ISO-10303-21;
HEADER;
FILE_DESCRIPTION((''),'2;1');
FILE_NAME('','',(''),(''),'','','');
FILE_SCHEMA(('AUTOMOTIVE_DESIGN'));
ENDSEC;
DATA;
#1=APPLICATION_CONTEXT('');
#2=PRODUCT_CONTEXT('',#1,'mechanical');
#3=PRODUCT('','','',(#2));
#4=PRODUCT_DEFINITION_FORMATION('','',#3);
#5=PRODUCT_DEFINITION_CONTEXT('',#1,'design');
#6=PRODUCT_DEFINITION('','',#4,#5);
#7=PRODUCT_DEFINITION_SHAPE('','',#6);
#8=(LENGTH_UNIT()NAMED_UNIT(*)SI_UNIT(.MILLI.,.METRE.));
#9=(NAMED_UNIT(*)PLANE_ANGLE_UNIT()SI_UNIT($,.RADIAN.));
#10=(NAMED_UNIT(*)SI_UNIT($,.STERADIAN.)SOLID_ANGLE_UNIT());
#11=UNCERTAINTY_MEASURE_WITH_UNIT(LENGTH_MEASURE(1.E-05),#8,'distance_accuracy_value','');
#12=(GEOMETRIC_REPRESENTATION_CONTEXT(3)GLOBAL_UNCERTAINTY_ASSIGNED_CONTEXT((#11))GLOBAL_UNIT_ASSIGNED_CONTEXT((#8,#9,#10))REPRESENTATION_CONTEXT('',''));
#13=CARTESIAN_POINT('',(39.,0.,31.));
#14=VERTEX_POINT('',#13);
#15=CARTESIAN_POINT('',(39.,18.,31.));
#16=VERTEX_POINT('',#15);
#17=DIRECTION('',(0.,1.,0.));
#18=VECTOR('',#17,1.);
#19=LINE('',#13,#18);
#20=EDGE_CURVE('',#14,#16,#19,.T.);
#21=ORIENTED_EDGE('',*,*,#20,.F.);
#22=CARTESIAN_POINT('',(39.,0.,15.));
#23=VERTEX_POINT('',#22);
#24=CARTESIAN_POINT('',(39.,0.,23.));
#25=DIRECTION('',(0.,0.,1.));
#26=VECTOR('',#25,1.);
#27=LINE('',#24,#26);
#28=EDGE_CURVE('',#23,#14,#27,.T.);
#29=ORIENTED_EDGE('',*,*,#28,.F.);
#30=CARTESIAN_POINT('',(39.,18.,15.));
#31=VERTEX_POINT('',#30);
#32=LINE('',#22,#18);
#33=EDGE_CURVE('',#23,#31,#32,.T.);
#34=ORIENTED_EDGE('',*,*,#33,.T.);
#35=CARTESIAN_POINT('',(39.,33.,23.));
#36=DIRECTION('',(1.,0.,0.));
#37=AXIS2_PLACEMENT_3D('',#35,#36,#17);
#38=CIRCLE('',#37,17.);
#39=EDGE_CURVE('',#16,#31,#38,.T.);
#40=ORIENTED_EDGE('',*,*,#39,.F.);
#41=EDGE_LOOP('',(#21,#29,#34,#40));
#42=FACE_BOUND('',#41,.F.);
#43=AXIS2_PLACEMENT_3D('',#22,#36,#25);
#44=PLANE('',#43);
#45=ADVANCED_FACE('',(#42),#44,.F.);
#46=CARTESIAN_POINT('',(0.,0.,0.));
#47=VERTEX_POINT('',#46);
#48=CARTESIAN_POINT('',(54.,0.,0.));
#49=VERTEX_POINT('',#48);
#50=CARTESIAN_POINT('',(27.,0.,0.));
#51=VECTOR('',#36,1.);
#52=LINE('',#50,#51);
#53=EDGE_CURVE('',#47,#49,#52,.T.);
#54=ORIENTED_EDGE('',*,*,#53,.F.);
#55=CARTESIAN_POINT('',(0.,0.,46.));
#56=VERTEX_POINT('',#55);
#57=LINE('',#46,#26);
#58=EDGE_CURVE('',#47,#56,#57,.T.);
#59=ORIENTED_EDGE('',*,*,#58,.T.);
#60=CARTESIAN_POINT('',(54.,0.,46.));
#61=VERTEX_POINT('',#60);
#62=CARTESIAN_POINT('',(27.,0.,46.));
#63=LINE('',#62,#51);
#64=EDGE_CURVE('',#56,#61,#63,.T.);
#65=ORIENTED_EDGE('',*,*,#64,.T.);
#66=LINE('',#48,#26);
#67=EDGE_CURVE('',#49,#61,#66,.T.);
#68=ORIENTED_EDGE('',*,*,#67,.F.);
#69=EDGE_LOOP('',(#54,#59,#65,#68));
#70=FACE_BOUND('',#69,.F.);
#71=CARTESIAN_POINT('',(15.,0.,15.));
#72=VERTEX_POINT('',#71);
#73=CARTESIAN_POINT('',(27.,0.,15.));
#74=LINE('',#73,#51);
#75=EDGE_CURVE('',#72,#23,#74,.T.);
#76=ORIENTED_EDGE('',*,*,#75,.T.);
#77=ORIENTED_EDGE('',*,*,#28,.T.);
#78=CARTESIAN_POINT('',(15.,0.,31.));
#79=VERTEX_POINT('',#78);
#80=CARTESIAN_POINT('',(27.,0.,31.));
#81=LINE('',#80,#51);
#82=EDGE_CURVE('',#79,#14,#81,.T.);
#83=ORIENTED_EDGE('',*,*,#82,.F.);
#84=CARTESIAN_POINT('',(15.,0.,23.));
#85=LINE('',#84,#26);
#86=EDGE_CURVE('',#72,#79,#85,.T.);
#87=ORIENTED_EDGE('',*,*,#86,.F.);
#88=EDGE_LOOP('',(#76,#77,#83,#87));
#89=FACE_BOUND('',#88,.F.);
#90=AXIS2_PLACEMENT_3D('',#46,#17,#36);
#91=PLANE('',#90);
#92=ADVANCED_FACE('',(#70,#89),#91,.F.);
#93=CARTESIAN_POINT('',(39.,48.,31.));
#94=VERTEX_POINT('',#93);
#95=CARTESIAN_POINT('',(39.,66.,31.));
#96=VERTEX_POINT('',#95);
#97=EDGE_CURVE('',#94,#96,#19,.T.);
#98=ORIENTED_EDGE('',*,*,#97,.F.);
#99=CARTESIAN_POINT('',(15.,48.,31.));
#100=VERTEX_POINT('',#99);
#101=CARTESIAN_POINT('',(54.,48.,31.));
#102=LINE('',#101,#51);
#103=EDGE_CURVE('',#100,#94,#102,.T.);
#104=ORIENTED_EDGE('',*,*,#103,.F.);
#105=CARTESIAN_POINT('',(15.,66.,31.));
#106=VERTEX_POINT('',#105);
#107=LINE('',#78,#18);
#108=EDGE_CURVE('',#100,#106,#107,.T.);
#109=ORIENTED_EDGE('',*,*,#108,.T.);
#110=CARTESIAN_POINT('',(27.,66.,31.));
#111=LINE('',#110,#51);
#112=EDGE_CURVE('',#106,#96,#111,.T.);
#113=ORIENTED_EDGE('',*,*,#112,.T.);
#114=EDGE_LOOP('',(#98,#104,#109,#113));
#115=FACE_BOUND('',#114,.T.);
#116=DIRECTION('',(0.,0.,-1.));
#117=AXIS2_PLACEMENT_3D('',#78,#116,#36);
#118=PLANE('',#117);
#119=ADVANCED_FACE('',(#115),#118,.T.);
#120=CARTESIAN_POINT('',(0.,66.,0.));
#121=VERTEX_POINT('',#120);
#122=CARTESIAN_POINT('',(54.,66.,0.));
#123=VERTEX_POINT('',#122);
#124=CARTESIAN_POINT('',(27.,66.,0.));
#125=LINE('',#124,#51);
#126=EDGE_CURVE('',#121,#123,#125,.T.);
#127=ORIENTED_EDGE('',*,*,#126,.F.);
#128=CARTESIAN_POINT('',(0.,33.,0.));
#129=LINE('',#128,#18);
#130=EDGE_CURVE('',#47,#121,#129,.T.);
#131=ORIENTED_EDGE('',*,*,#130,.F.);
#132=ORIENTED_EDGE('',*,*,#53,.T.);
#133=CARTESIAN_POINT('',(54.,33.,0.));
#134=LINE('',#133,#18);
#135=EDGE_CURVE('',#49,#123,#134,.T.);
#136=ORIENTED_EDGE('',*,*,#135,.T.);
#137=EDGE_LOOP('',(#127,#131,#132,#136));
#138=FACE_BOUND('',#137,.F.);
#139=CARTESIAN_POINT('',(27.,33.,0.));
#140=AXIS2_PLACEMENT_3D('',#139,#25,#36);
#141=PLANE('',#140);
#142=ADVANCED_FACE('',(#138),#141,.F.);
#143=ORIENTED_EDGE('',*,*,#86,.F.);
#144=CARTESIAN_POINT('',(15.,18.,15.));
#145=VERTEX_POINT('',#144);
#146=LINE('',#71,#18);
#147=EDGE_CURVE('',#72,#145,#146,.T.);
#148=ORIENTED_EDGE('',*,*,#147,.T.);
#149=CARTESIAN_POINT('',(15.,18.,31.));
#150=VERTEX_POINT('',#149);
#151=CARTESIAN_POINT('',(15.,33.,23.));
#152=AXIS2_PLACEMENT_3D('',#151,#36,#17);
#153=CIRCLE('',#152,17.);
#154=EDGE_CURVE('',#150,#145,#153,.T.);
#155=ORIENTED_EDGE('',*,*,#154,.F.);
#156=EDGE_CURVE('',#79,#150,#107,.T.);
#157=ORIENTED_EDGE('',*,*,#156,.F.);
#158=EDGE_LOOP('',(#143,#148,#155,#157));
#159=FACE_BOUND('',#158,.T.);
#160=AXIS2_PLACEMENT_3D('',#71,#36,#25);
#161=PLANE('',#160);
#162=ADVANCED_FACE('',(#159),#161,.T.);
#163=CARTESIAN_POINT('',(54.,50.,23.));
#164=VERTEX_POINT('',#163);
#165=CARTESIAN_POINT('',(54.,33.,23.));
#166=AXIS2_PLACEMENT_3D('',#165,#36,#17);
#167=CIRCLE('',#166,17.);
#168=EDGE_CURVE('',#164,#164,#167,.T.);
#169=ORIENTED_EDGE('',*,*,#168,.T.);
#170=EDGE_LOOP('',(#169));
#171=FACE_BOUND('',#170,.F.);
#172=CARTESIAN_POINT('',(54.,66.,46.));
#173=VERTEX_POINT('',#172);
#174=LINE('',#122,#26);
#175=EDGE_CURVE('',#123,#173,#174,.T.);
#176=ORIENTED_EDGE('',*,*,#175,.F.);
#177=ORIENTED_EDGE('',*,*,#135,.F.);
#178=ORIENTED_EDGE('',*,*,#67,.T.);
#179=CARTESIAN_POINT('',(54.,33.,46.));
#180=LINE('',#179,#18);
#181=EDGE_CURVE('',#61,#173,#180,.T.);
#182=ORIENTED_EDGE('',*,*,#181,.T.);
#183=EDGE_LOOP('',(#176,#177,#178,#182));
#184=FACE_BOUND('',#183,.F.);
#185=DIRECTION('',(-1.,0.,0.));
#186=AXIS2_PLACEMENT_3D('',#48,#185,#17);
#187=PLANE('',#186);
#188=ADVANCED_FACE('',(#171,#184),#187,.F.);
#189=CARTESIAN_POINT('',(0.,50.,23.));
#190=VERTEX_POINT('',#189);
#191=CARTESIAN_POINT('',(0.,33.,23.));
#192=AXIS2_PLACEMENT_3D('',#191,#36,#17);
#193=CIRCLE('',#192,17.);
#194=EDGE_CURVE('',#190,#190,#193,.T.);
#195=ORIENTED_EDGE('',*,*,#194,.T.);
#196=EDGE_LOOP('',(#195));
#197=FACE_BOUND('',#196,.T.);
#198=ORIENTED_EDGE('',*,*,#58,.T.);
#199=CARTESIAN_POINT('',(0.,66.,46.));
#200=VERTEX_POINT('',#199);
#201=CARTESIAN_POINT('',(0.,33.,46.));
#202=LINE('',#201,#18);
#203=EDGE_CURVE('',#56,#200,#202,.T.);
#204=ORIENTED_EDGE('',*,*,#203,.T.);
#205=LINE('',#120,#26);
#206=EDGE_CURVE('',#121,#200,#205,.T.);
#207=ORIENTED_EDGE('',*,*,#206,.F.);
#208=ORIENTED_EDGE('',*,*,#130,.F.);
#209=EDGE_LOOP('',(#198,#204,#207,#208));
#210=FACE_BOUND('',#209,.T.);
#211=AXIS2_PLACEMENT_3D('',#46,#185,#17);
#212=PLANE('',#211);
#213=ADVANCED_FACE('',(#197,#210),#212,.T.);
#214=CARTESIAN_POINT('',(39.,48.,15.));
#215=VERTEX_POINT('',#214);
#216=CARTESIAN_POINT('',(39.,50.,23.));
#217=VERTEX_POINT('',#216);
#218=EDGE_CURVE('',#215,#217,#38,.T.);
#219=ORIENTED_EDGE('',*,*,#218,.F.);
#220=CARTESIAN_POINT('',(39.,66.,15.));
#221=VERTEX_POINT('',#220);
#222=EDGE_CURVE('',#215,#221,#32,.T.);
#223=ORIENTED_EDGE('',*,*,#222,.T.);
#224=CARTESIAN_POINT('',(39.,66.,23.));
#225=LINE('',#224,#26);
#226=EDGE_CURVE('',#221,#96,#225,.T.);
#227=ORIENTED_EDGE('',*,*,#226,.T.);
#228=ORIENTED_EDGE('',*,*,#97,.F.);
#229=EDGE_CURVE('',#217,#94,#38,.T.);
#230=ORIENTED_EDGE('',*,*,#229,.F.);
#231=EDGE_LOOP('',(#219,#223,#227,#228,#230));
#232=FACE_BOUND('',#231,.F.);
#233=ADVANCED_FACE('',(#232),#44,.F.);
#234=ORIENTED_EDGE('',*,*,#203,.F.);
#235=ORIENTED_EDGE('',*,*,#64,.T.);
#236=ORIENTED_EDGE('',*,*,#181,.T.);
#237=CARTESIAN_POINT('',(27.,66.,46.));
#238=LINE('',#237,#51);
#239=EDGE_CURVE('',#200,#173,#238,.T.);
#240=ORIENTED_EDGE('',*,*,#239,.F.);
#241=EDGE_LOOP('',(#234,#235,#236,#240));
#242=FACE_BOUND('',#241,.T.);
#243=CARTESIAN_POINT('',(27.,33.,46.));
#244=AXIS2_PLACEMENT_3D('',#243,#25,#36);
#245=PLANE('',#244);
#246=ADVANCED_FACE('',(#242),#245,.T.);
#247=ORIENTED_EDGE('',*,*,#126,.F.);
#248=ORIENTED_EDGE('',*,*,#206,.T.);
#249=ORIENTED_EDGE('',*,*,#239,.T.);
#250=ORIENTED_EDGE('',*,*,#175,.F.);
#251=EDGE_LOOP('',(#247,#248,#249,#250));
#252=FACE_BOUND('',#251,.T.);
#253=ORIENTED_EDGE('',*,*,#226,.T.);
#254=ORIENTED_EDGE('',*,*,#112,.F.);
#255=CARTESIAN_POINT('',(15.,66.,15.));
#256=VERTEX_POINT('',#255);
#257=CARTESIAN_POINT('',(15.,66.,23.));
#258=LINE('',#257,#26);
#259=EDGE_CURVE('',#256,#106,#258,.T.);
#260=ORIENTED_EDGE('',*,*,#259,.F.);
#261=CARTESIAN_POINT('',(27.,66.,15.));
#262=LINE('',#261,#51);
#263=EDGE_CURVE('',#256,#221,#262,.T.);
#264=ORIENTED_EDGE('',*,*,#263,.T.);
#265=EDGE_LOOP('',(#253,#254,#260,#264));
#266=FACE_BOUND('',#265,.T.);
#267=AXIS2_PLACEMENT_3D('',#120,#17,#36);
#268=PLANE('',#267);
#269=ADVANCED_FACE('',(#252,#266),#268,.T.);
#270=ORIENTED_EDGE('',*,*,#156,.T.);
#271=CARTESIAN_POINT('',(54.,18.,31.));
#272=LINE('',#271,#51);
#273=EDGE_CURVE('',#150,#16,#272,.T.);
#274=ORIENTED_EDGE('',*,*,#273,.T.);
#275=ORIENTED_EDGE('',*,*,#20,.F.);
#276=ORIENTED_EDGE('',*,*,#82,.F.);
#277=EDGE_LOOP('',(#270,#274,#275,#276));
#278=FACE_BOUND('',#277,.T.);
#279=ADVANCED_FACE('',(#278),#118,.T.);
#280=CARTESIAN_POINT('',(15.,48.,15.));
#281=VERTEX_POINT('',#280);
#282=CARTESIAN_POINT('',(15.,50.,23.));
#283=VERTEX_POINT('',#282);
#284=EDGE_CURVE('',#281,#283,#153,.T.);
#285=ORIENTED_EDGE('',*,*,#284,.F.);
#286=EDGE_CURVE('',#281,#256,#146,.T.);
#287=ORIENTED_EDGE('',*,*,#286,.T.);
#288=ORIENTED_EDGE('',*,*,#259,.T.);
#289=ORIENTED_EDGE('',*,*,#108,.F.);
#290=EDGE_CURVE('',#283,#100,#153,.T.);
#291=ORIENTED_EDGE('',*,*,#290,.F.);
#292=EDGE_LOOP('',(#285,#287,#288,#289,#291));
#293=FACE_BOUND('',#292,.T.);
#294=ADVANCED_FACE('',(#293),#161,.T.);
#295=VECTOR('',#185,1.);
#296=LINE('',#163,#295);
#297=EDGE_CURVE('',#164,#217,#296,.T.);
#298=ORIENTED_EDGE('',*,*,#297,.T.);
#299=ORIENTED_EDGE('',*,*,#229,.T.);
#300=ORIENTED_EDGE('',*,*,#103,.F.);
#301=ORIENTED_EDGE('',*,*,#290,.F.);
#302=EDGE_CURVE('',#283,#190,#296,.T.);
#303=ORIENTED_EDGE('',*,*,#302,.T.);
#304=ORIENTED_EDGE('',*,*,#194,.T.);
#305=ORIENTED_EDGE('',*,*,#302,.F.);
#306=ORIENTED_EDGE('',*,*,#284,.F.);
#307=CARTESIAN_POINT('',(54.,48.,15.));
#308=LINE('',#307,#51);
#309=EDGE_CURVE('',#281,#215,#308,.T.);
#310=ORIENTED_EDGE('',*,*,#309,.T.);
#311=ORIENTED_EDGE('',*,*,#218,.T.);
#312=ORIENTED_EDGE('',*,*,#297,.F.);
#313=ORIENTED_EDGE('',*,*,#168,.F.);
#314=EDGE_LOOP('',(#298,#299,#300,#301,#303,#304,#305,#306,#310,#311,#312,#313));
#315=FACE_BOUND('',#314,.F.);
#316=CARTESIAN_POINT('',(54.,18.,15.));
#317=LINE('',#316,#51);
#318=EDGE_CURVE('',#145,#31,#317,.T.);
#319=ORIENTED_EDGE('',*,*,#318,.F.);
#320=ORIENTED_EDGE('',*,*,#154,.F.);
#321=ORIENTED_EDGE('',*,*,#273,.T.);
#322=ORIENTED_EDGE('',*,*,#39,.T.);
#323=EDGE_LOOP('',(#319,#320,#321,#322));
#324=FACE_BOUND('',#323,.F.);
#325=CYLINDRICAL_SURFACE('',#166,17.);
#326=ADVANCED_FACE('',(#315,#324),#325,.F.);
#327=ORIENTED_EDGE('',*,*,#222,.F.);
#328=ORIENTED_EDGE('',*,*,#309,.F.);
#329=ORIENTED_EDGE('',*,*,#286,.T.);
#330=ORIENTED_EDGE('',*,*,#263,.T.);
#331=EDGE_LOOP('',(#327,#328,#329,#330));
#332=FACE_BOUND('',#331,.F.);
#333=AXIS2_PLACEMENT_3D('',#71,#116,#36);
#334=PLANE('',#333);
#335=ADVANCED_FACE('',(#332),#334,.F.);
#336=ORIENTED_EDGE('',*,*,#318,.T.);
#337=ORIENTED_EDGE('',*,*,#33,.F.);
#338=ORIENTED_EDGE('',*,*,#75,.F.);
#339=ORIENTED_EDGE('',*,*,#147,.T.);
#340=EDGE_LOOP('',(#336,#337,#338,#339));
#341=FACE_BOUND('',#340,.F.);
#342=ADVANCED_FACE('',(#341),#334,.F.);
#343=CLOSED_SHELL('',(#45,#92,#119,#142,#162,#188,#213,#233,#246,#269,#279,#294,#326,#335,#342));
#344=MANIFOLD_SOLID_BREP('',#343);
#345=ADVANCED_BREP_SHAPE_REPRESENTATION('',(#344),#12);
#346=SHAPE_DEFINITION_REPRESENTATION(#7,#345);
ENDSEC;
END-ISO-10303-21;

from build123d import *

# Parameters (mm, degrees)
F0_W     = 54
F0_H     = 66
F1_DEPTH = 46
F2_W     = 24
F2_H     = 16
F3_DEPTH = 66
F4_R     = 17
F5_DEPTH = 54


with BuildPart() as f1:
    # F0 (on Top) → F1 (new body)
    with BuildSketch(Plane.XY):
        with Locations((27, 33)):
            Rectangle(F0_W, F0_H)
    extrude(amount=F1_DEPTH)

    # F2 (on face) → F3 (cut)
    with BuildSketch(Plane.XZ):
        with Locations((27, 23)):
            Rectangle(F2_W, F2_H)
    extrude(amount=-F3_DEPTH, mode=Mode.SUBTRACT)

    # F4 (on face) → F5 (cut)
    with BuildSketch(Plane.YZ.offset(54)):
        with Locations((33, 23)):
            Circle(F4_R)
    extrude(amount=-F5_DEPTH, mode=Mode.SUBTRACT)


solid = f1.part
